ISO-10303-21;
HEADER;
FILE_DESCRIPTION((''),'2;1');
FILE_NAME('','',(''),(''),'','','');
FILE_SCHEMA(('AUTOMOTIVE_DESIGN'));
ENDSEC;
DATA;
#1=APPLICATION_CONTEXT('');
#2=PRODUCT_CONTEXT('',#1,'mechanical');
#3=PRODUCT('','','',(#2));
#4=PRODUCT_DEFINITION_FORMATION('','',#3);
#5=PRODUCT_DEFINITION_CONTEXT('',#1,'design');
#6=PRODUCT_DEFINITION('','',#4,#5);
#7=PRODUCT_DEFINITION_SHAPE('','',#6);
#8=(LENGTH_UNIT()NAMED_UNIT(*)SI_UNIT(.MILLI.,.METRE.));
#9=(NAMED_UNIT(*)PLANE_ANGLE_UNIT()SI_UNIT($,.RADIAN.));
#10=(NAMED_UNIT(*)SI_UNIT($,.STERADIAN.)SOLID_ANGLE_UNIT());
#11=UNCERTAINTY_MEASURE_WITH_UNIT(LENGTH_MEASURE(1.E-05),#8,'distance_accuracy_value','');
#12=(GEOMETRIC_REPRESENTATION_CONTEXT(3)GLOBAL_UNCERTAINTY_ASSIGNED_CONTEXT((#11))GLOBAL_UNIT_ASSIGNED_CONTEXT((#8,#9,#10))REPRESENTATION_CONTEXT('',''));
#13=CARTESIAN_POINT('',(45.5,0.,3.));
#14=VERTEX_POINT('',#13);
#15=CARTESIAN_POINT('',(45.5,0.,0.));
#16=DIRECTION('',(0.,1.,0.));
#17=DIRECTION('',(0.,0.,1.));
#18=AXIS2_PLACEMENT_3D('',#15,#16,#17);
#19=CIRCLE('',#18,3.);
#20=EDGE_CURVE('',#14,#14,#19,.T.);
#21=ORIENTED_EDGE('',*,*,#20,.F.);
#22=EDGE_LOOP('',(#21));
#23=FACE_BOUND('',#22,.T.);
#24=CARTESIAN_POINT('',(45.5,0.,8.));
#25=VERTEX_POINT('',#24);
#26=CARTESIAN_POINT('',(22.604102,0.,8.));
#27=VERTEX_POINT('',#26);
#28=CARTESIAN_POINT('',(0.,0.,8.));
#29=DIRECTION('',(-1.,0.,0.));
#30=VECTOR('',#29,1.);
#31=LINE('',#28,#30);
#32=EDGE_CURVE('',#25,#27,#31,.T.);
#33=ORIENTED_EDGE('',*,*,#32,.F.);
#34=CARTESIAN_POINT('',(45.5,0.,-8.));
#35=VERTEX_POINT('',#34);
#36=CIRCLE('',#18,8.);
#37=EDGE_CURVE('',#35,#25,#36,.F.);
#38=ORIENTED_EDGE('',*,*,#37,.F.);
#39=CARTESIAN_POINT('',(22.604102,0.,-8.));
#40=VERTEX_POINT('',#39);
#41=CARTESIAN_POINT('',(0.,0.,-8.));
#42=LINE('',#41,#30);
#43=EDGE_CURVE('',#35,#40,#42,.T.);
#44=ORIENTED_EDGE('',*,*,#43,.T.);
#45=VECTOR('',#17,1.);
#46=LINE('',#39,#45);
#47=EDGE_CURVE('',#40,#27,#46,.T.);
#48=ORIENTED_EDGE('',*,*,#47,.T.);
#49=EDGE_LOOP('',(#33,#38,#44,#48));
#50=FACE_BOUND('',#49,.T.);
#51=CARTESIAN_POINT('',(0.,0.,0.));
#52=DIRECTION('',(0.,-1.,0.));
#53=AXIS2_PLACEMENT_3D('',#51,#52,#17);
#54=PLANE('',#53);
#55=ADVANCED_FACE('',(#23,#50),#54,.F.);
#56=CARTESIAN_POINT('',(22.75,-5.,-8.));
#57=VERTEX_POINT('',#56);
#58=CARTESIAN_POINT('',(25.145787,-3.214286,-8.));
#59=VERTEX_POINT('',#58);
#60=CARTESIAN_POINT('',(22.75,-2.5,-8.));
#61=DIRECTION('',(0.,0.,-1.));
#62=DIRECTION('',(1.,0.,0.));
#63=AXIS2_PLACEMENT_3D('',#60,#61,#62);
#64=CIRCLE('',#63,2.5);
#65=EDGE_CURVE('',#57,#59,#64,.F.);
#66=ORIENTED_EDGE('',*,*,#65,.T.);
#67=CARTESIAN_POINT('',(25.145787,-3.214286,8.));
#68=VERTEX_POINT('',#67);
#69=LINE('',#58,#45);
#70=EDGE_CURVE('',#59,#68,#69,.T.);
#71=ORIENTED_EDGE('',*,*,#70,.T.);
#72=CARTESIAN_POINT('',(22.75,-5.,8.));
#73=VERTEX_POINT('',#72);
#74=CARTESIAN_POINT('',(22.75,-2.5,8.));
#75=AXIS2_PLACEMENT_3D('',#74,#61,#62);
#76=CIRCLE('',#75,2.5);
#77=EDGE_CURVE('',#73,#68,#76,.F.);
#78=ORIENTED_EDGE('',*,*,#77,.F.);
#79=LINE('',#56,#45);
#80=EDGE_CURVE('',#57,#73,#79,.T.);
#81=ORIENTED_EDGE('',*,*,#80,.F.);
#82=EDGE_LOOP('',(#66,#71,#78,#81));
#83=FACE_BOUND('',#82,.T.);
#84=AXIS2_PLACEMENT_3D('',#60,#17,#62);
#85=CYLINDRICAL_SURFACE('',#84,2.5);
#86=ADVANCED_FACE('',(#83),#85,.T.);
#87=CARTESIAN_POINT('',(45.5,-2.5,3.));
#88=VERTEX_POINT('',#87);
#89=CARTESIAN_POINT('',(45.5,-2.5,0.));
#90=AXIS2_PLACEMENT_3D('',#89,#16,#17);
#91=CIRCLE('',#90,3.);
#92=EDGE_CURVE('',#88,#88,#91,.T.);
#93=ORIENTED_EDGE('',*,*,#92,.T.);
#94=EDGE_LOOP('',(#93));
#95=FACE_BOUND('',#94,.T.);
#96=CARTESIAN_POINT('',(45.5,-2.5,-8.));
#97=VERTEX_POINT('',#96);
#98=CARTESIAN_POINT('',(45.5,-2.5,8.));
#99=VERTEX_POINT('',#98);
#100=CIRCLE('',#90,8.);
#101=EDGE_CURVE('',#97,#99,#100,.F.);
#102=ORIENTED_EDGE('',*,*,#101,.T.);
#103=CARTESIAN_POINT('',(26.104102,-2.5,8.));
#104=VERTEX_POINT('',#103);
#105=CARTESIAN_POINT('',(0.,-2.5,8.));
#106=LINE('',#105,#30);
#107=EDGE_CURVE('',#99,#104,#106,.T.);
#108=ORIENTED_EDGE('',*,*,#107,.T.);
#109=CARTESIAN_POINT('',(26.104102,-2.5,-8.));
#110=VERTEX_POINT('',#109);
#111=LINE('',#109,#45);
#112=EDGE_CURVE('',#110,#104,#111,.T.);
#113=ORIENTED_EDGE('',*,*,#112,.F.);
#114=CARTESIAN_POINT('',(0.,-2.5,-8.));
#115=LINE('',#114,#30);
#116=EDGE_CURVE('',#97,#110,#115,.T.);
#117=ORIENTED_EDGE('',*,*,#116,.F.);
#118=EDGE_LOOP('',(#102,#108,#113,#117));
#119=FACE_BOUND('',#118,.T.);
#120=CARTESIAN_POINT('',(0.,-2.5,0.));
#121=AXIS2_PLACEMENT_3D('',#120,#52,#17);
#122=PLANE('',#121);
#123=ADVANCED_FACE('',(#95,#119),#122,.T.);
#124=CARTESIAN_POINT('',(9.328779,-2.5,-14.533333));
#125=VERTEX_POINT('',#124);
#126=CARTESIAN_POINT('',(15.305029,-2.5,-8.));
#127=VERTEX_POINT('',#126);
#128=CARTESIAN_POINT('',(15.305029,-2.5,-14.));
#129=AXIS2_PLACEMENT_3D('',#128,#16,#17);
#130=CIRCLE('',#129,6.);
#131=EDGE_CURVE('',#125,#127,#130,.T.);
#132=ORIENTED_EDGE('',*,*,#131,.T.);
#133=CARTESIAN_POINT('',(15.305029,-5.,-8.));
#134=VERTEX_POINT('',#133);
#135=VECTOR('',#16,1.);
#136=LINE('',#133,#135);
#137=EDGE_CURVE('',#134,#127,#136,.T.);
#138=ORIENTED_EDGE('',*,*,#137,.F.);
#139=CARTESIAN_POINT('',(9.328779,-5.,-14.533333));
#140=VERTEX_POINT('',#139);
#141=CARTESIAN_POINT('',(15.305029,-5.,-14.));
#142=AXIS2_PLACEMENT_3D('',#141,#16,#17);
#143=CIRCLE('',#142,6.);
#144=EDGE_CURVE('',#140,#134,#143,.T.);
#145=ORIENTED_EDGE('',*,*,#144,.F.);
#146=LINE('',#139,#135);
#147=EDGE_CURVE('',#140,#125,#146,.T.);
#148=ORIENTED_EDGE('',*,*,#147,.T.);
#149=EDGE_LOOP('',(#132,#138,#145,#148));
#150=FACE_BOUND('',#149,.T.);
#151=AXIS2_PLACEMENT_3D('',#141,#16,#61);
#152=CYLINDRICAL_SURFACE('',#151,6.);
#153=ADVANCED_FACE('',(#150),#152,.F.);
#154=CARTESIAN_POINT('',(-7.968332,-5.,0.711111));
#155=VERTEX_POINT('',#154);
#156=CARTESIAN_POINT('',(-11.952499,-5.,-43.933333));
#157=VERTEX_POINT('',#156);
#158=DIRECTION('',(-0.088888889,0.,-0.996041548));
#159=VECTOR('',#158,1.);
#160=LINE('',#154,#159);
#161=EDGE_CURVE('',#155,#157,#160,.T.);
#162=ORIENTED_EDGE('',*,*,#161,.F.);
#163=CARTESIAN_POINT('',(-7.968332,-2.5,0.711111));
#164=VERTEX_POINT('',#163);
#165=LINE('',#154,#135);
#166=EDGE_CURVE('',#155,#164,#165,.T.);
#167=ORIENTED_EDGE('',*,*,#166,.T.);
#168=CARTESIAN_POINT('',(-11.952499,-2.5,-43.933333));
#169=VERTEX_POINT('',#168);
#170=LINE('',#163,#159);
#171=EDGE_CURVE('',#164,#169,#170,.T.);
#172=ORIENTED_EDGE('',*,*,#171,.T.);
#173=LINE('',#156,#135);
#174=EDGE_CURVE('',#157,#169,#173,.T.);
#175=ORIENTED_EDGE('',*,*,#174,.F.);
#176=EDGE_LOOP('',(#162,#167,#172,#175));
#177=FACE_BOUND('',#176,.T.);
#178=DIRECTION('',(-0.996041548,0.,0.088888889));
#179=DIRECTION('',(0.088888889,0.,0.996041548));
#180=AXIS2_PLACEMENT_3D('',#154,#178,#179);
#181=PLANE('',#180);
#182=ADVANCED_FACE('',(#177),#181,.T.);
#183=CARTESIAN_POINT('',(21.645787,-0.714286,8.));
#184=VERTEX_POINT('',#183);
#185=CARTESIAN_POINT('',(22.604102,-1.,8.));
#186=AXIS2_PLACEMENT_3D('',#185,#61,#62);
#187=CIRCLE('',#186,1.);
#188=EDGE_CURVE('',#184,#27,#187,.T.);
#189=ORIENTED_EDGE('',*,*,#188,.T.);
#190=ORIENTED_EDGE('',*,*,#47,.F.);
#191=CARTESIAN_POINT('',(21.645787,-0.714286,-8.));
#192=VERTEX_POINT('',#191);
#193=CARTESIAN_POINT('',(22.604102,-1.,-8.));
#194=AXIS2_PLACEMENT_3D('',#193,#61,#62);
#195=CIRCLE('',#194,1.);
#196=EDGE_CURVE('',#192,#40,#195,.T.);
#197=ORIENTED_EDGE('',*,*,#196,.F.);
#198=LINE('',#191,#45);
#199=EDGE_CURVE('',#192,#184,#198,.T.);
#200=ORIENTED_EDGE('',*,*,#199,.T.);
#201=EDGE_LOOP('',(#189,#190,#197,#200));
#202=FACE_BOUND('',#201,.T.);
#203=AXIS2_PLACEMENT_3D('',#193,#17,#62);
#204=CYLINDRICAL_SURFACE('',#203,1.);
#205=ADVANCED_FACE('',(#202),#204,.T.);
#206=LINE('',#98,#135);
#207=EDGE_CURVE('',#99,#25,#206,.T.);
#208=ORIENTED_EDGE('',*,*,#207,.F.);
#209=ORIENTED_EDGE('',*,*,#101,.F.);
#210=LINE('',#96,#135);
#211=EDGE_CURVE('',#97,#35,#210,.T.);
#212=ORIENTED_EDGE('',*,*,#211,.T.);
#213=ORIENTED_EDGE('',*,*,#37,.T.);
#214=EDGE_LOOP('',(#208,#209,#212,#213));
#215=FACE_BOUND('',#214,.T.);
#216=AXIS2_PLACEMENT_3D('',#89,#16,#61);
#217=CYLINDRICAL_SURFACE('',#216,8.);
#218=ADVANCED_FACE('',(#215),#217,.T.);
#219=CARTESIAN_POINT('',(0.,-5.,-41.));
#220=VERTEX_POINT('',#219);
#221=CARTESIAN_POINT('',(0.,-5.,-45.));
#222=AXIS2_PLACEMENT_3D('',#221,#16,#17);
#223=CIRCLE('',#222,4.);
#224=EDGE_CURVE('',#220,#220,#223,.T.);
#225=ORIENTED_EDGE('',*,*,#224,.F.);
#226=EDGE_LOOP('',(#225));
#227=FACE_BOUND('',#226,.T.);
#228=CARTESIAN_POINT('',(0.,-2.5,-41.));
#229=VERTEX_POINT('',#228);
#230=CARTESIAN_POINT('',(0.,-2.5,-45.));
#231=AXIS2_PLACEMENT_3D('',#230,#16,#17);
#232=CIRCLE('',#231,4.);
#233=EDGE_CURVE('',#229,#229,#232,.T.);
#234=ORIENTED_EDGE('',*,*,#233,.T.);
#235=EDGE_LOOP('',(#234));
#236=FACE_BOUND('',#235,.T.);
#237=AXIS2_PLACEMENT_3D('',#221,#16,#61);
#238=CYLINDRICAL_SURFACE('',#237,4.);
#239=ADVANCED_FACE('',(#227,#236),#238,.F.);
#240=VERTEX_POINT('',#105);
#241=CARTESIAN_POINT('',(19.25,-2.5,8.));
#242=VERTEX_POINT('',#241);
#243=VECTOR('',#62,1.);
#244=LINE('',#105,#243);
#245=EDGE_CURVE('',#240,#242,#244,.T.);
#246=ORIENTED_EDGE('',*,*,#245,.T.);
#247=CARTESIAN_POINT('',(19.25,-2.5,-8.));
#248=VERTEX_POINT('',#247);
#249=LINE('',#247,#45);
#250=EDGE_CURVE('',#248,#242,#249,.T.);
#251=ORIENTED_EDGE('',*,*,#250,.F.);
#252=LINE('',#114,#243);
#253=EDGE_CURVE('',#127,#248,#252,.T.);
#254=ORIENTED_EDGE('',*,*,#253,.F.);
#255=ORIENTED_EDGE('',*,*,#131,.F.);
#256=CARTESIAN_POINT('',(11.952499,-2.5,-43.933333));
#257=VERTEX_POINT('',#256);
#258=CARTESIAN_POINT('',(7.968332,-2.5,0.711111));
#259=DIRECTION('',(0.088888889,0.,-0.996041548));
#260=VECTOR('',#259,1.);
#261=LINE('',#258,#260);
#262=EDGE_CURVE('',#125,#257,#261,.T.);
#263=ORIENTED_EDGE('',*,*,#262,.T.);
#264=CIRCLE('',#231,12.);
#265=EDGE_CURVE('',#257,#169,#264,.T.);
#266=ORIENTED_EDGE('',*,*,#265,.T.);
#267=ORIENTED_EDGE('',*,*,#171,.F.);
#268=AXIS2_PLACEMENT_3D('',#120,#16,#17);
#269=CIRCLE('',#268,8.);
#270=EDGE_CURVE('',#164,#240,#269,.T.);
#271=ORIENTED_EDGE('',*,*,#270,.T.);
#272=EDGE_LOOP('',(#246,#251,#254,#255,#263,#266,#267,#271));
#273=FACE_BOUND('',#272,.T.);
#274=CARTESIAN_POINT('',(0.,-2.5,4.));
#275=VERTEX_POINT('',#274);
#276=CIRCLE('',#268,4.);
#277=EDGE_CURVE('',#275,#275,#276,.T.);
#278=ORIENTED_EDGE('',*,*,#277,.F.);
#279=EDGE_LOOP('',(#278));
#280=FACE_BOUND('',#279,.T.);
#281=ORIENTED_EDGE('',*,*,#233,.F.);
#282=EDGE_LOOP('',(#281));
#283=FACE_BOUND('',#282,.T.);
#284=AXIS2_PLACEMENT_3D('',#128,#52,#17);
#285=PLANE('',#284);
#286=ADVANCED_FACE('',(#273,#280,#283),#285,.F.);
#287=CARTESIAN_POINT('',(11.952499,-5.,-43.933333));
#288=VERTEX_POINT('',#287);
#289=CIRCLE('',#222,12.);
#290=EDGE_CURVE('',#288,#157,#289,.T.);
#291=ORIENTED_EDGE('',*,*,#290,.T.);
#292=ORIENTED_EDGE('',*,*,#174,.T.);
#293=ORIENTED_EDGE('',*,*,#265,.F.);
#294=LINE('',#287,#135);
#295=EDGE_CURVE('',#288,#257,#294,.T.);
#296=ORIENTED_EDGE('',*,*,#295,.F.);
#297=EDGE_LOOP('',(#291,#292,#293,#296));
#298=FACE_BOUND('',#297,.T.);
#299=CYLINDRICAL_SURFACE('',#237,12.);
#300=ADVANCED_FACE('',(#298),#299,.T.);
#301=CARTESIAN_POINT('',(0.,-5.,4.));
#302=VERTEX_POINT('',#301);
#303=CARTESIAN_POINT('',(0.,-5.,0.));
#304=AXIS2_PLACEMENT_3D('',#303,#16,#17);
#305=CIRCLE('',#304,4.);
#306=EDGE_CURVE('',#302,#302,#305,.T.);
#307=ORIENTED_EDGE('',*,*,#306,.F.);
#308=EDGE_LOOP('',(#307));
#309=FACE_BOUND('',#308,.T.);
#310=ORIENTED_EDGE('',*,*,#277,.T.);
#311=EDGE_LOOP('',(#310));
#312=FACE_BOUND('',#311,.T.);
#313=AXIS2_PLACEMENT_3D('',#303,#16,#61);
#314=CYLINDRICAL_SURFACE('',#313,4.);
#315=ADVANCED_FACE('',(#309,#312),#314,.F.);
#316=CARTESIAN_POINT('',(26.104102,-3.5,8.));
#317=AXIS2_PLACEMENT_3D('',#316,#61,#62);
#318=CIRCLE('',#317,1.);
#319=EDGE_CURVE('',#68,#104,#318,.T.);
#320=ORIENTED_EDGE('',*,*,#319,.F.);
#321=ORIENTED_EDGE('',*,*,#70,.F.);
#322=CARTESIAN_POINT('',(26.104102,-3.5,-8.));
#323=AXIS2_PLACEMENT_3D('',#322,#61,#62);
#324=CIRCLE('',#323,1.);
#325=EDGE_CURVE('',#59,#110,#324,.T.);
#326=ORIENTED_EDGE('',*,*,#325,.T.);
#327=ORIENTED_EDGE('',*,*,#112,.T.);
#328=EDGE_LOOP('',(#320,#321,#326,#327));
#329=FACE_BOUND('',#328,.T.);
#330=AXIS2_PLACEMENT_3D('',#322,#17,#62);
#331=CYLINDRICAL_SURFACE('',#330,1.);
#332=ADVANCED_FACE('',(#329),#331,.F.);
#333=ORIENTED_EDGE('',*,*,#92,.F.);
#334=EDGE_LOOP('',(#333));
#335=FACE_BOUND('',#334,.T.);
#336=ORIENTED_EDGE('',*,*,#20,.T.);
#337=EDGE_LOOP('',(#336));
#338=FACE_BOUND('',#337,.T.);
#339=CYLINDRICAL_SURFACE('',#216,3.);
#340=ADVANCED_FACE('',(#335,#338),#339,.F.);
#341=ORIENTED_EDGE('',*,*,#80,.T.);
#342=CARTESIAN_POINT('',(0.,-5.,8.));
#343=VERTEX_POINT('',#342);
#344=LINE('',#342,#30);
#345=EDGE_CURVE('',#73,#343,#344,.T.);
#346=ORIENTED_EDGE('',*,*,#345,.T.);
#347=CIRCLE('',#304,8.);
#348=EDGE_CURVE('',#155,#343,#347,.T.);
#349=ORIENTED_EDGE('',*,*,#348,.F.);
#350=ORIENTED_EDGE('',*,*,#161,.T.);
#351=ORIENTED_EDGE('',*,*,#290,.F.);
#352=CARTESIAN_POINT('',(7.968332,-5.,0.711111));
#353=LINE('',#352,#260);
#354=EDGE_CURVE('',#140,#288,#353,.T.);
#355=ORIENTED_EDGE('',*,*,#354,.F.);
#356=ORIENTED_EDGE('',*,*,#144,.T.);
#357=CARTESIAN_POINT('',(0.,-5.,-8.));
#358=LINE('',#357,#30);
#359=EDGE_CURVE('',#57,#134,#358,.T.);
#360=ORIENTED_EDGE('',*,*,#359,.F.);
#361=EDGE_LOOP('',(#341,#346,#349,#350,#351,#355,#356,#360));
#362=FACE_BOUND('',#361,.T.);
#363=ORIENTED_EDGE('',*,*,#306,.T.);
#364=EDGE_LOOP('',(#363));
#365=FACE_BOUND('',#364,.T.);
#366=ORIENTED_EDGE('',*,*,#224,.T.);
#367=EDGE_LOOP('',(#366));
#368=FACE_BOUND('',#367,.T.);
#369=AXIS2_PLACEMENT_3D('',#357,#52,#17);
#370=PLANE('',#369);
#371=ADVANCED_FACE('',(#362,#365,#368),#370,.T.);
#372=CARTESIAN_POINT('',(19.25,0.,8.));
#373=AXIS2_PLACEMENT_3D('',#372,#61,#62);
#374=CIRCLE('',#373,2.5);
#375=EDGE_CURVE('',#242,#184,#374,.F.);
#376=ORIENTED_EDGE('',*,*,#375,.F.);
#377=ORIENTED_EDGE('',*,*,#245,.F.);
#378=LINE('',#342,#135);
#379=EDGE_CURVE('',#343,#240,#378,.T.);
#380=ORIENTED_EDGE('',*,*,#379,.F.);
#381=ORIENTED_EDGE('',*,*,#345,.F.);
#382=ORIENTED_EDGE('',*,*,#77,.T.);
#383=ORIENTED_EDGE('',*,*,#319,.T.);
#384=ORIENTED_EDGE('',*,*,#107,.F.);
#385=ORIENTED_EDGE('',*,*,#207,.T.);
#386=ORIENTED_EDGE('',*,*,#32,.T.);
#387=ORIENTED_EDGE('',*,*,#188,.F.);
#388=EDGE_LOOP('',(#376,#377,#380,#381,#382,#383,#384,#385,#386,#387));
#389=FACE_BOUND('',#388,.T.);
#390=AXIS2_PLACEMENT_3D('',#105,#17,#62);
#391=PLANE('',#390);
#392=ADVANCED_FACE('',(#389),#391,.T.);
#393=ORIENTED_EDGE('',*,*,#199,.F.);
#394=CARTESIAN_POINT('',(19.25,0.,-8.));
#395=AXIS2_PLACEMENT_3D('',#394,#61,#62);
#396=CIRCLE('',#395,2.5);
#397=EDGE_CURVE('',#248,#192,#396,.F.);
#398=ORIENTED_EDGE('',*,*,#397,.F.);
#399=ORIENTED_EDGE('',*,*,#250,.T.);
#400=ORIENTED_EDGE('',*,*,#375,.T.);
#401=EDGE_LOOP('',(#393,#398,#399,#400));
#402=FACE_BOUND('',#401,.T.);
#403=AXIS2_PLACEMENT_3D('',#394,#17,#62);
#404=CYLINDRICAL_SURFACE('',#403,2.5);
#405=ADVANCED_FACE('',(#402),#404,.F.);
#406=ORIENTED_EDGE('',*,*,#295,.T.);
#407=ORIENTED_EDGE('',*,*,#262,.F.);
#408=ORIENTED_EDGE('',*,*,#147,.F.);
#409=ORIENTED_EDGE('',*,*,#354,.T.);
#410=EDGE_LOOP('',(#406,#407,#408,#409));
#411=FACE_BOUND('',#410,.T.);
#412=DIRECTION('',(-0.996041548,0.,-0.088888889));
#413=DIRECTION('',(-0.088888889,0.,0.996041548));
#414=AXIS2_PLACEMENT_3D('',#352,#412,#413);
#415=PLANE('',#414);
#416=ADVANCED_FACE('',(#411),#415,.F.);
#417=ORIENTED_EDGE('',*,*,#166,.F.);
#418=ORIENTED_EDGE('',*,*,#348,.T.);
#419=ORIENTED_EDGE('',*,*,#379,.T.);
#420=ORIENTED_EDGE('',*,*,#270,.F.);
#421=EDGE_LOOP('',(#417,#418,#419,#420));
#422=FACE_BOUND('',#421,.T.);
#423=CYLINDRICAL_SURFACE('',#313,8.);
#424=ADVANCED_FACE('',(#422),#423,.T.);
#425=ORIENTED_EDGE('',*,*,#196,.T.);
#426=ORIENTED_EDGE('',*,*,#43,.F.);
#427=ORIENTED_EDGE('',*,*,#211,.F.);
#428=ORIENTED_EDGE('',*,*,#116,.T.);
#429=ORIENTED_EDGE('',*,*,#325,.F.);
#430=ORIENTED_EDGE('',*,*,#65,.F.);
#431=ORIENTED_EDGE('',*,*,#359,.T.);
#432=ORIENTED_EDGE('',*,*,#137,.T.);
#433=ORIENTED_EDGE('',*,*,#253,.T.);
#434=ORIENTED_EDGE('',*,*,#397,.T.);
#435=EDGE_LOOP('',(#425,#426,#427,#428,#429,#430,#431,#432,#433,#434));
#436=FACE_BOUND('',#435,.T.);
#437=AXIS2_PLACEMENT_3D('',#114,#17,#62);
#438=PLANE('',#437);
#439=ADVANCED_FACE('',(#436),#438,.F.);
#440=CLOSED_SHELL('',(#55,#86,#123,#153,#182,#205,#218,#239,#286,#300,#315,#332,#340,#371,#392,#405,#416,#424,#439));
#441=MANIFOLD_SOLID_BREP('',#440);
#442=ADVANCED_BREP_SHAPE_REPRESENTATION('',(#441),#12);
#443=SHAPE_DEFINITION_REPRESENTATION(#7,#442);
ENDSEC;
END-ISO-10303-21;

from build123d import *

# Parameters (mm, degrees)
SKETCH1_R           = 3
BOSS_EXTRUDE1_DEPTH = 2.5
BOSS_EXTRUDE2_START = 2.5
SKETCH1_3_R         = 4
BOSS_EXTRUDE2_DEPTH = 2.5
BOSS_EXTRUDE3_DEPTH = 16


with BuildPart() as part:
    # Sketch1 → Boss-Extrude1 (new body)
    with BuildSketch(Plane(origin=(0, 0, 0), x_dir=(1, 0, 0), z_dir=(0, 1, 0))):
        with BuildLine():
            Line((22.75, -8), (45.5, -8))
            ThreePointArc((45.5, -8), (53.5, 0), (45.5, 8))
            Line((45.5, 8), (22.75, 8))
            Line((22.75, 8), (22.75, -8))
        make_face()
        with Locations(Location((45.5, 0, 0), (0, 0, 270))):
            Circle(SKETCH1_R, mode=Mode.SUBTRACT)
    extrude(amount=BOSS_EXTRUDE1_DEPTH)



with BuildPart() as body_2:
    # Sketch1<3> → Boss-Extrude2 (new body)
    with BuildSketch(Plane(origin=(0, 0, 0), x_dir=(1, 0, 0), z_dir=(0, 1, 0)).offset(BOSS_EXTRUDE2_START)):
        with BuildLine():
            Line((0, -8), (22.75, -8))
            Line((22.75, -8), (22.75, 8))
            Line((22.75, 8), (15.305028665, 8))
            ThreePointArc((15.305028665, 8), (10.877839941, 9.950308654), (9.328779377, 14.533333333))
            Line((9.328779377, 14.533333333), (11.952427887, 43.93254122))
            Line((11.952427887, 43.93254122), (11.952498577, 43.933333333))
            ThreePointArc((11.952498577, 43.933333333), (0, 57), (-11.952498577, 43.933333333))
            Line((-11.952498577, 43.933333333), (-7.968332384, -0.711111111))
            ThreePointArc((-7.968332384, -0.711111111), (-5.399588462, -5.902918299), (0, -8))
        make_face()
        with Locations(Location((0, 0, 0), (0, 0, 270))):
            Circle(SKETCH1_3_R, mode=Mode.SUBTRACT)
        with Locations(Location((0, 45, 0), (0, 0, 270))):
            Circle(SKETCH1_3_R, mode=Mode.SUBTRACT)
    extrude(amount=BOSS_EXTRUDE2_DEPTH)


with BuildPart() as part_1:
    add(part.part)

    add(body_2.part)  # Boss-Extrude3 merges body 2
    # Sketch2 → Boss-Extrude3 (add)
    with BuildSketch(Plane.XY.offset(8)):
        with BuildLine():
            Line((22.75, 5), (19.25, 5))
            Line((19.25, 5), (19.25, 2.5))
            ThreePointArc((19.25, 2.5), (20.744035762, 2.004459314), (21.645787119, 0.714285714))
            ThreePointArc((21.645787119, 0.714285714), (22.006487662, 0.198216274), (22.604101966, 0))
            Line((22.604101966, 0), (22.75, 0))
            Line((22.75, 0), (22.75, 2.5))
            Line((22.75, 2.5), (26.104101966, 2.5))
            ThreePointArc((26.104101966, 2.5), (25.506487662, 2.698216274), (25.145787119, 3.214285714))
            ThreePointArc((25.145787119, 3.214285714), (24.244035762, 4.504459314), (22.75, 5))
        make_face()
    extrude(amount=-BOSS_EXTRUDE3_DEPTH)


with BuildPart() as body_2_2:
    # Mirror4: mirrored copy
    add(part_1.part.mirror(Plane.ZX))


solid = body_2_2.part
